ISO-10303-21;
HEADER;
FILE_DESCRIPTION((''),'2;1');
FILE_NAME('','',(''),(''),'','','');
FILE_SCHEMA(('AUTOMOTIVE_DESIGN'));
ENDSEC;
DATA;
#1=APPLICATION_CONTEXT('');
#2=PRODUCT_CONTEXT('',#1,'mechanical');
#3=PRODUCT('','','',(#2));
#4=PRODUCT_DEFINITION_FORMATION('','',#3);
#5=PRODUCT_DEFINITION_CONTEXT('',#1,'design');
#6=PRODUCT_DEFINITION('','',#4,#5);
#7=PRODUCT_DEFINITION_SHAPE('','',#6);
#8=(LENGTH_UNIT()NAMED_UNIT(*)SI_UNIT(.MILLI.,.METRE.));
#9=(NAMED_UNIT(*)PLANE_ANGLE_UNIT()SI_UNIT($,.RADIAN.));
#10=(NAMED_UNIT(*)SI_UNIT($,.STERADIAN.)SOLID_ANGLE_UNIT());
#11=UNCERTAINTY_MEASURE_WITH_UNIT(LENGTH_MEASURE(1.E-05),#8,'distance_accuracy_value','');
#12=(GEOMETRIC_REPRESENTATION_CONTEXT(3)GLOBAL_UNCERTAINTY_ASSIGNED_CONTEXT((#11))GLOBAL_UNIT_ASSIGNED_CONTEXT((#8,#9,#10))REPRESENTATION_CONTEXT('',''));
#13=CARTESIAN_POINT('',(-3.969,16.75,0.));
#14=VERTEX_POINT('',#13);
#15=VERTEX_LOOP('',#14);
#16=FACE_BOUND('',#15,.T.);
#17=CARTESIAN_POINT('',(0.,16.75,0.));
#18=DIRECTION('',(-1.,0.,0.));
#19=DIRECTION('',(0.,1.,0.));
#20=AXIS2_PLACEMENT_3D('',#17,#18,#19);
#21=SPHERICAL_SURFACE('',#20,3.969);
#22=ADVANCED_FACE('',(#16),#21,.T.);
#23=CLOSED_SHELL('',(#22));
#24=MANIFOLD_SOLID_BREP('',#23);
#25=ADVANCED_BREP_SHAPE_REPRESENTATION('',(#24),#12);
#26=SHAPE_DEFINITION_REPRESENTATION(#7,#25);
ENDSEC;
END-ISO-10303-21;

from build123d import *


with BuildPart() as part:
    # Croquis1 → Revolución1 (revolve)
    with BuildSketch(Plane.XY):
        with BuildLine():
            Line((3.969, 16.75), (-3.969, 16.75))
            ThreePointArc((-3.969, 16.75), (0, 20.719), (3.969, 16.75))
        make_face()
    revolve(axis=Axis((3.969, 16.75, 0), (-1, 0, 0)))


solid = part.part
